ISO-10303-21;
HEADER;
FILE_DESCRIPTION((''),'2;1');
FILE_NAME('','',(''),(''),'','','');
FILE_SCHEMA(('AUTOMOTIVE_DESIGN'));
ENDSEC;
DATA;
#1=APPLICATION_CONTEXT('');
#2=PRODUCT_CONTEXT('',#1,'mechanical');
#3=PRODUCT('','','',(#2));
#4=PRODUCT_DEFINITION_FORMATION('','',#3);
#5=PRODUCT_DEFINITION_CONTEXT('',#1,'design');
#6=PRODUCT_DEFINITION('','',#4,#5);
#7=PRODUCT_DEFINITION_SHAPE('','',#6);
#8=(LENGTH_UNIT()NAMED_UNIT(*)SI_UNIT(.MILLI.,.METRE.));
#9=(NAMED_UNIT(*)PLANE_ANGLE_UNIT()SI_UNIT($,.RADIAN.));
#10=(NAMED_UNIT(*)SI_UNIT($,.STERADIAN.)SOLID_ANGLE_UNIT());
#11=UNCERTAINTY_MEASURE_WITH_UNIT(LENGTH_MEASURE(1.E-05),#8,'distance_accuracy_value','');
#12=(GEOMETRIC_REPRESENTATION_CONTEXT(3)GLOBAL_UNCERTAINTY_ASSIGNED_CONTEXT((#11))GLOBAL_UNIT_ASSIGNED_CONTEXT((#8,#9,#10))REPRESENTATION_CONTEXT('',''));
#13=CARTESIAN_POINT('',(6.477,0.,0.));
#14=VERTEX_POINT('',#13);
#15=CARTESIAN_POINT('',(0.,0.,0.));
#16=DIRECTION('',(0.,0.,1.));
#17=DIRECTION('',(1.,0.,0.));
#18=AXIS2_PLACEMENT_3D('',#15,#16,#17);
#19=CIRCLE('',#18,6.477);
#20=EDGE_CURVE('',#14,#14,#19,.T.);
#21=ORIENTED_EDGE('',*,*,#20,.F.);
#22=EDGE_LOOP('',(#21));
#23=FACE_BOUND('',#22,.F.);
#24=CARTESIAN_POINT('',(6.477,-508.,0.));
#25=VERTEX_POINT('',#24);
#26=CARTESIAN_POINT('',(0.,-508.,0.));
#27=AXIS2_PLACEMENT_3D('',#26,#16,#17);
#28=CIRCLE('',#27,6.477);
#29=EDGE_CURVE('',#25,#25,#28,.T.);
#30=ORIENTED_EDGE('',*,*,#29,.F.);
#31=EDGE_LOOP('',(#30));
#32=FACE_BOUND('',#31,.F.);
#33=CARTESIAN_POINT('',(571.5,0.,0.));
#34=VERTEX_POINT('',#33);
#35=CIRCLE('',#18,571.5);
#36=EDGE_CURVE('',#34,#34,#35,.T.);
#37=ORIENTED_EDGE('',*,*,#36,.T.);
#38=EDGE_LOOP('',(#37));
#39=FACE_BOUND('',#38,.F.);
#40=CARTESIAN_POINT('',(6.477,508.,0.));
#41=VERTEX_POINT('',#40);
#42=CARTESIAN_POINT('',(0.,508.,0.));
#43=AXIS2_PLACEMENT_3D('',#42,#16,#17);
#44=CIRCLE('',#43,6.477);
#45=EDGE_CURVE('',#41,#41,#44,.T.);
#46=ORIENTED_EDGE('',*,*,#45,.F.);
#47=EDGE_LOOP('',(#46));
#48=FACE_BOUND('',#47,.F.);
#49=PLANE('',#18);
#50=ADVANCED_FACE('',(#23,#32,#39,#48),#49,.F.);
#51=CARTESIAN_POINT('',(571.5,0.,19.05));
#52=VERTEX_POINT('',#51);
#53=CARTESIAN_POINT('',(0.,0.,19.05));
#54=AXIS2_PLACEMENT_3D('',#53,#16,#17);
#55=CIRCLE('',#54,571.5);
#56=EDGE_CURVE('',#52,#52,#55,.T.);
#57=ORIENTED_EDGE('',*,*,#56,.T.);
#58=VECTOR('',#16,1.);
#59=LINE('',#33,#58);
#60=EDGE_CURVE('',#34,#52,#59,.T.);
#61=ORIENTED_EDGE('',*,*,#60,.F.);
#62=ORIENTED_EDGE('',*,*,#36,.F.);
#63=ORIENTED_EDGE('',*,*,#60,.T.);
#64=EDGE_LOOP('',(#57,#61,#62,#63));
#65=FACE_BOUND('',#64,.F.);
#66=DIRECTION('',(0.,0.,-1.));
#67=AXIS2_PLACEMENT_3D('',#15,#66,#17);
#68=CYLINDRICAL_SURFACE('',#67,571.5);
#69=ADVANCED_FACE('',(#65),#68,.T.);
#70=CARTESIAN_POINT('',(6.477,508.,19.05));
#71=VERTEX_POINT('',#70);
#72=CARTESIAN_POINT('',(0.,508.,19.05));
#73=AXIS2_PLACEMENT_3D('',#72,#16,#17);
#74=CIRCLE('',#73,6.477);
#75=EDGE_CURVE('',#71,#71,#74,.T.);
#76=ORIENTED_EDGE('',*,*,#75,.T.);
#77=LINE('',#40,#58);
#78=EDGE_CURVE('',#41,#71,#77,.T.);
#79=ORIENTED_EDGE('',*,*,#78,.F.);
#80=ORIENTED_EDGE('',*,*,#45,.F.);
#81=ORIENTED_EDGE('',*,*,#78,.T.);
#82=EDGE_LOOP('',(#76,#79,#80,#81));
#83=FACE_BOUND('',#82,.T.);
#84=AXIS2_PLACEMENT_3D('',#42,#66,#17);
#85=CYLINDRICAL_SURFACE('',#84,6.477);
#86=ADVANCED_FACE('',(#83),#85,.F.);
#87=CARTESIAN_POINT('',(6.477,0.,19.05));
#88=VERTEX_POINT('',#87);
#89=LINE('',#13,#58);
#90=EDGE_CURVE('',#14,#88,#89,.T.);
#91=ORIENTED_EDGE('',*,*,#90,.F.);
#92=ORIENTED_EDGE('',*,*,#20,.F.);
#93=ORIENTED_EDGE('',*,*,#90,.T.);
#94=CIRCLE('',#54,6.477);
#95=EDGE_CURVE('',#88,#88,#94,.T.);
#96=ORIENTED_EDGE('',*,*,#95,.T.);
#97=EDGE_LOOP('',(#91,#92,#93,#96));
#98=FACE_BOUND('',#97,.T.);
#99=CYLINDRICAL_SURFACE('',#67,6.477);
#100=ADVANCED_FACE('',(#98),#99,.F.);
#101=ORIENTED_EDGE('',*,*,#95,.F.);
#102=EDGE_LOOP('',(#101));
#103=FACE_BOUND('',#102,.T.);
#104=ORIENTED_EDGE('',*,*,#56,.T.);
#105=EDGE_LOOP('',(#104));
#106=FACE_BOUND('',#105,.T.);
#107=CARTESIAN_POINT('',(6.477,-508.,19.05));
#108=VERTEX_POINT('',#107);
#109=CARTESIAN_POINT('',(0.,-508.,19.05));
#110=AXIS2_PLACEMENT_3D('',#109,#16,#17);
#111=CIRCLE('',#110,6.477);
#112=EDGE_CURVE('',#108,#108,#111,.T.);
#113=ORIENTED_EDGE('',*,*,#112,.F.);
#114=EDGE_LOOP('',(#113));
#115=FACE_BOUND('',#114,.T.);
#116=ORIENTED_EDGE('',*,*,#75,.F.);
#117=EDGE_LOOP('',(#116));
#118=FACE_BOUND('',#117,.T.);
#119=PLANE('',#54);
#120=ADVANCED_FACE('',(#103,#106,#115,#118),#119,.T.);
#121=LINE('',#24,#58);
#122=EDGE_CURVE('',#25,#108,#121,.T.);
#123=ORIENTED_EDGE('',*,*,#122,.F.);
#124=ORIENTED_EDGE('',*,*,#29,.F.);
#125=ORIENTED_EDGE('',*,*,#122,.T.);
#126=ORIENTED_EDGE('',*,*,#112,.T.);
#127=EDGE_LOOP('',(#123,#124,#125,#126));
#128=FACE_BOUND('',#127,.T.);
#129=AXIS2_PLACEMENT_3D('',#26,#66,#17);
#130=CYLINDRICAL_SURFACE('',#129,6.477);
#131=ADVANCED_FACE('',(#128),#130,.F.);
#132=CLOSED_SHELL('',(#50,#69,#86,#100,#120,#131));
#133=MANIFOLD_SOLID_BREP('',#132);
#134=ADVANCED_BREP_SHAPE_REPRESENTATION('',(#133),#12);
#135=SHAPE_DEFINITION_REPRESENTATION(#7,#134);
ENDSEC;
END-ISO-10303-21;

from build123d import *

# Parameters (mm, degrees)
F0_R     = 571.5
F0_R_2   = 6.477
F1_DEPTH = 19.05


with BuildPart() as f1:
    # F0 (on Top) → F1 (new body)
    with BuildSketch(Plane.XY):
        Circle(F0_R)
        with Locations((0, -508)):
            Circle(F0_R_2, mode=Mode.SUBTRACT)
        Circle(F0_R_2, mode=Mode.SUBTRACT)
        with Locations((0, 508)):
            Circle(F0_R_2, mode=Mode.SUBTRACT)
    extrude(amount=F1_DEPTH)


solid = f1.part
